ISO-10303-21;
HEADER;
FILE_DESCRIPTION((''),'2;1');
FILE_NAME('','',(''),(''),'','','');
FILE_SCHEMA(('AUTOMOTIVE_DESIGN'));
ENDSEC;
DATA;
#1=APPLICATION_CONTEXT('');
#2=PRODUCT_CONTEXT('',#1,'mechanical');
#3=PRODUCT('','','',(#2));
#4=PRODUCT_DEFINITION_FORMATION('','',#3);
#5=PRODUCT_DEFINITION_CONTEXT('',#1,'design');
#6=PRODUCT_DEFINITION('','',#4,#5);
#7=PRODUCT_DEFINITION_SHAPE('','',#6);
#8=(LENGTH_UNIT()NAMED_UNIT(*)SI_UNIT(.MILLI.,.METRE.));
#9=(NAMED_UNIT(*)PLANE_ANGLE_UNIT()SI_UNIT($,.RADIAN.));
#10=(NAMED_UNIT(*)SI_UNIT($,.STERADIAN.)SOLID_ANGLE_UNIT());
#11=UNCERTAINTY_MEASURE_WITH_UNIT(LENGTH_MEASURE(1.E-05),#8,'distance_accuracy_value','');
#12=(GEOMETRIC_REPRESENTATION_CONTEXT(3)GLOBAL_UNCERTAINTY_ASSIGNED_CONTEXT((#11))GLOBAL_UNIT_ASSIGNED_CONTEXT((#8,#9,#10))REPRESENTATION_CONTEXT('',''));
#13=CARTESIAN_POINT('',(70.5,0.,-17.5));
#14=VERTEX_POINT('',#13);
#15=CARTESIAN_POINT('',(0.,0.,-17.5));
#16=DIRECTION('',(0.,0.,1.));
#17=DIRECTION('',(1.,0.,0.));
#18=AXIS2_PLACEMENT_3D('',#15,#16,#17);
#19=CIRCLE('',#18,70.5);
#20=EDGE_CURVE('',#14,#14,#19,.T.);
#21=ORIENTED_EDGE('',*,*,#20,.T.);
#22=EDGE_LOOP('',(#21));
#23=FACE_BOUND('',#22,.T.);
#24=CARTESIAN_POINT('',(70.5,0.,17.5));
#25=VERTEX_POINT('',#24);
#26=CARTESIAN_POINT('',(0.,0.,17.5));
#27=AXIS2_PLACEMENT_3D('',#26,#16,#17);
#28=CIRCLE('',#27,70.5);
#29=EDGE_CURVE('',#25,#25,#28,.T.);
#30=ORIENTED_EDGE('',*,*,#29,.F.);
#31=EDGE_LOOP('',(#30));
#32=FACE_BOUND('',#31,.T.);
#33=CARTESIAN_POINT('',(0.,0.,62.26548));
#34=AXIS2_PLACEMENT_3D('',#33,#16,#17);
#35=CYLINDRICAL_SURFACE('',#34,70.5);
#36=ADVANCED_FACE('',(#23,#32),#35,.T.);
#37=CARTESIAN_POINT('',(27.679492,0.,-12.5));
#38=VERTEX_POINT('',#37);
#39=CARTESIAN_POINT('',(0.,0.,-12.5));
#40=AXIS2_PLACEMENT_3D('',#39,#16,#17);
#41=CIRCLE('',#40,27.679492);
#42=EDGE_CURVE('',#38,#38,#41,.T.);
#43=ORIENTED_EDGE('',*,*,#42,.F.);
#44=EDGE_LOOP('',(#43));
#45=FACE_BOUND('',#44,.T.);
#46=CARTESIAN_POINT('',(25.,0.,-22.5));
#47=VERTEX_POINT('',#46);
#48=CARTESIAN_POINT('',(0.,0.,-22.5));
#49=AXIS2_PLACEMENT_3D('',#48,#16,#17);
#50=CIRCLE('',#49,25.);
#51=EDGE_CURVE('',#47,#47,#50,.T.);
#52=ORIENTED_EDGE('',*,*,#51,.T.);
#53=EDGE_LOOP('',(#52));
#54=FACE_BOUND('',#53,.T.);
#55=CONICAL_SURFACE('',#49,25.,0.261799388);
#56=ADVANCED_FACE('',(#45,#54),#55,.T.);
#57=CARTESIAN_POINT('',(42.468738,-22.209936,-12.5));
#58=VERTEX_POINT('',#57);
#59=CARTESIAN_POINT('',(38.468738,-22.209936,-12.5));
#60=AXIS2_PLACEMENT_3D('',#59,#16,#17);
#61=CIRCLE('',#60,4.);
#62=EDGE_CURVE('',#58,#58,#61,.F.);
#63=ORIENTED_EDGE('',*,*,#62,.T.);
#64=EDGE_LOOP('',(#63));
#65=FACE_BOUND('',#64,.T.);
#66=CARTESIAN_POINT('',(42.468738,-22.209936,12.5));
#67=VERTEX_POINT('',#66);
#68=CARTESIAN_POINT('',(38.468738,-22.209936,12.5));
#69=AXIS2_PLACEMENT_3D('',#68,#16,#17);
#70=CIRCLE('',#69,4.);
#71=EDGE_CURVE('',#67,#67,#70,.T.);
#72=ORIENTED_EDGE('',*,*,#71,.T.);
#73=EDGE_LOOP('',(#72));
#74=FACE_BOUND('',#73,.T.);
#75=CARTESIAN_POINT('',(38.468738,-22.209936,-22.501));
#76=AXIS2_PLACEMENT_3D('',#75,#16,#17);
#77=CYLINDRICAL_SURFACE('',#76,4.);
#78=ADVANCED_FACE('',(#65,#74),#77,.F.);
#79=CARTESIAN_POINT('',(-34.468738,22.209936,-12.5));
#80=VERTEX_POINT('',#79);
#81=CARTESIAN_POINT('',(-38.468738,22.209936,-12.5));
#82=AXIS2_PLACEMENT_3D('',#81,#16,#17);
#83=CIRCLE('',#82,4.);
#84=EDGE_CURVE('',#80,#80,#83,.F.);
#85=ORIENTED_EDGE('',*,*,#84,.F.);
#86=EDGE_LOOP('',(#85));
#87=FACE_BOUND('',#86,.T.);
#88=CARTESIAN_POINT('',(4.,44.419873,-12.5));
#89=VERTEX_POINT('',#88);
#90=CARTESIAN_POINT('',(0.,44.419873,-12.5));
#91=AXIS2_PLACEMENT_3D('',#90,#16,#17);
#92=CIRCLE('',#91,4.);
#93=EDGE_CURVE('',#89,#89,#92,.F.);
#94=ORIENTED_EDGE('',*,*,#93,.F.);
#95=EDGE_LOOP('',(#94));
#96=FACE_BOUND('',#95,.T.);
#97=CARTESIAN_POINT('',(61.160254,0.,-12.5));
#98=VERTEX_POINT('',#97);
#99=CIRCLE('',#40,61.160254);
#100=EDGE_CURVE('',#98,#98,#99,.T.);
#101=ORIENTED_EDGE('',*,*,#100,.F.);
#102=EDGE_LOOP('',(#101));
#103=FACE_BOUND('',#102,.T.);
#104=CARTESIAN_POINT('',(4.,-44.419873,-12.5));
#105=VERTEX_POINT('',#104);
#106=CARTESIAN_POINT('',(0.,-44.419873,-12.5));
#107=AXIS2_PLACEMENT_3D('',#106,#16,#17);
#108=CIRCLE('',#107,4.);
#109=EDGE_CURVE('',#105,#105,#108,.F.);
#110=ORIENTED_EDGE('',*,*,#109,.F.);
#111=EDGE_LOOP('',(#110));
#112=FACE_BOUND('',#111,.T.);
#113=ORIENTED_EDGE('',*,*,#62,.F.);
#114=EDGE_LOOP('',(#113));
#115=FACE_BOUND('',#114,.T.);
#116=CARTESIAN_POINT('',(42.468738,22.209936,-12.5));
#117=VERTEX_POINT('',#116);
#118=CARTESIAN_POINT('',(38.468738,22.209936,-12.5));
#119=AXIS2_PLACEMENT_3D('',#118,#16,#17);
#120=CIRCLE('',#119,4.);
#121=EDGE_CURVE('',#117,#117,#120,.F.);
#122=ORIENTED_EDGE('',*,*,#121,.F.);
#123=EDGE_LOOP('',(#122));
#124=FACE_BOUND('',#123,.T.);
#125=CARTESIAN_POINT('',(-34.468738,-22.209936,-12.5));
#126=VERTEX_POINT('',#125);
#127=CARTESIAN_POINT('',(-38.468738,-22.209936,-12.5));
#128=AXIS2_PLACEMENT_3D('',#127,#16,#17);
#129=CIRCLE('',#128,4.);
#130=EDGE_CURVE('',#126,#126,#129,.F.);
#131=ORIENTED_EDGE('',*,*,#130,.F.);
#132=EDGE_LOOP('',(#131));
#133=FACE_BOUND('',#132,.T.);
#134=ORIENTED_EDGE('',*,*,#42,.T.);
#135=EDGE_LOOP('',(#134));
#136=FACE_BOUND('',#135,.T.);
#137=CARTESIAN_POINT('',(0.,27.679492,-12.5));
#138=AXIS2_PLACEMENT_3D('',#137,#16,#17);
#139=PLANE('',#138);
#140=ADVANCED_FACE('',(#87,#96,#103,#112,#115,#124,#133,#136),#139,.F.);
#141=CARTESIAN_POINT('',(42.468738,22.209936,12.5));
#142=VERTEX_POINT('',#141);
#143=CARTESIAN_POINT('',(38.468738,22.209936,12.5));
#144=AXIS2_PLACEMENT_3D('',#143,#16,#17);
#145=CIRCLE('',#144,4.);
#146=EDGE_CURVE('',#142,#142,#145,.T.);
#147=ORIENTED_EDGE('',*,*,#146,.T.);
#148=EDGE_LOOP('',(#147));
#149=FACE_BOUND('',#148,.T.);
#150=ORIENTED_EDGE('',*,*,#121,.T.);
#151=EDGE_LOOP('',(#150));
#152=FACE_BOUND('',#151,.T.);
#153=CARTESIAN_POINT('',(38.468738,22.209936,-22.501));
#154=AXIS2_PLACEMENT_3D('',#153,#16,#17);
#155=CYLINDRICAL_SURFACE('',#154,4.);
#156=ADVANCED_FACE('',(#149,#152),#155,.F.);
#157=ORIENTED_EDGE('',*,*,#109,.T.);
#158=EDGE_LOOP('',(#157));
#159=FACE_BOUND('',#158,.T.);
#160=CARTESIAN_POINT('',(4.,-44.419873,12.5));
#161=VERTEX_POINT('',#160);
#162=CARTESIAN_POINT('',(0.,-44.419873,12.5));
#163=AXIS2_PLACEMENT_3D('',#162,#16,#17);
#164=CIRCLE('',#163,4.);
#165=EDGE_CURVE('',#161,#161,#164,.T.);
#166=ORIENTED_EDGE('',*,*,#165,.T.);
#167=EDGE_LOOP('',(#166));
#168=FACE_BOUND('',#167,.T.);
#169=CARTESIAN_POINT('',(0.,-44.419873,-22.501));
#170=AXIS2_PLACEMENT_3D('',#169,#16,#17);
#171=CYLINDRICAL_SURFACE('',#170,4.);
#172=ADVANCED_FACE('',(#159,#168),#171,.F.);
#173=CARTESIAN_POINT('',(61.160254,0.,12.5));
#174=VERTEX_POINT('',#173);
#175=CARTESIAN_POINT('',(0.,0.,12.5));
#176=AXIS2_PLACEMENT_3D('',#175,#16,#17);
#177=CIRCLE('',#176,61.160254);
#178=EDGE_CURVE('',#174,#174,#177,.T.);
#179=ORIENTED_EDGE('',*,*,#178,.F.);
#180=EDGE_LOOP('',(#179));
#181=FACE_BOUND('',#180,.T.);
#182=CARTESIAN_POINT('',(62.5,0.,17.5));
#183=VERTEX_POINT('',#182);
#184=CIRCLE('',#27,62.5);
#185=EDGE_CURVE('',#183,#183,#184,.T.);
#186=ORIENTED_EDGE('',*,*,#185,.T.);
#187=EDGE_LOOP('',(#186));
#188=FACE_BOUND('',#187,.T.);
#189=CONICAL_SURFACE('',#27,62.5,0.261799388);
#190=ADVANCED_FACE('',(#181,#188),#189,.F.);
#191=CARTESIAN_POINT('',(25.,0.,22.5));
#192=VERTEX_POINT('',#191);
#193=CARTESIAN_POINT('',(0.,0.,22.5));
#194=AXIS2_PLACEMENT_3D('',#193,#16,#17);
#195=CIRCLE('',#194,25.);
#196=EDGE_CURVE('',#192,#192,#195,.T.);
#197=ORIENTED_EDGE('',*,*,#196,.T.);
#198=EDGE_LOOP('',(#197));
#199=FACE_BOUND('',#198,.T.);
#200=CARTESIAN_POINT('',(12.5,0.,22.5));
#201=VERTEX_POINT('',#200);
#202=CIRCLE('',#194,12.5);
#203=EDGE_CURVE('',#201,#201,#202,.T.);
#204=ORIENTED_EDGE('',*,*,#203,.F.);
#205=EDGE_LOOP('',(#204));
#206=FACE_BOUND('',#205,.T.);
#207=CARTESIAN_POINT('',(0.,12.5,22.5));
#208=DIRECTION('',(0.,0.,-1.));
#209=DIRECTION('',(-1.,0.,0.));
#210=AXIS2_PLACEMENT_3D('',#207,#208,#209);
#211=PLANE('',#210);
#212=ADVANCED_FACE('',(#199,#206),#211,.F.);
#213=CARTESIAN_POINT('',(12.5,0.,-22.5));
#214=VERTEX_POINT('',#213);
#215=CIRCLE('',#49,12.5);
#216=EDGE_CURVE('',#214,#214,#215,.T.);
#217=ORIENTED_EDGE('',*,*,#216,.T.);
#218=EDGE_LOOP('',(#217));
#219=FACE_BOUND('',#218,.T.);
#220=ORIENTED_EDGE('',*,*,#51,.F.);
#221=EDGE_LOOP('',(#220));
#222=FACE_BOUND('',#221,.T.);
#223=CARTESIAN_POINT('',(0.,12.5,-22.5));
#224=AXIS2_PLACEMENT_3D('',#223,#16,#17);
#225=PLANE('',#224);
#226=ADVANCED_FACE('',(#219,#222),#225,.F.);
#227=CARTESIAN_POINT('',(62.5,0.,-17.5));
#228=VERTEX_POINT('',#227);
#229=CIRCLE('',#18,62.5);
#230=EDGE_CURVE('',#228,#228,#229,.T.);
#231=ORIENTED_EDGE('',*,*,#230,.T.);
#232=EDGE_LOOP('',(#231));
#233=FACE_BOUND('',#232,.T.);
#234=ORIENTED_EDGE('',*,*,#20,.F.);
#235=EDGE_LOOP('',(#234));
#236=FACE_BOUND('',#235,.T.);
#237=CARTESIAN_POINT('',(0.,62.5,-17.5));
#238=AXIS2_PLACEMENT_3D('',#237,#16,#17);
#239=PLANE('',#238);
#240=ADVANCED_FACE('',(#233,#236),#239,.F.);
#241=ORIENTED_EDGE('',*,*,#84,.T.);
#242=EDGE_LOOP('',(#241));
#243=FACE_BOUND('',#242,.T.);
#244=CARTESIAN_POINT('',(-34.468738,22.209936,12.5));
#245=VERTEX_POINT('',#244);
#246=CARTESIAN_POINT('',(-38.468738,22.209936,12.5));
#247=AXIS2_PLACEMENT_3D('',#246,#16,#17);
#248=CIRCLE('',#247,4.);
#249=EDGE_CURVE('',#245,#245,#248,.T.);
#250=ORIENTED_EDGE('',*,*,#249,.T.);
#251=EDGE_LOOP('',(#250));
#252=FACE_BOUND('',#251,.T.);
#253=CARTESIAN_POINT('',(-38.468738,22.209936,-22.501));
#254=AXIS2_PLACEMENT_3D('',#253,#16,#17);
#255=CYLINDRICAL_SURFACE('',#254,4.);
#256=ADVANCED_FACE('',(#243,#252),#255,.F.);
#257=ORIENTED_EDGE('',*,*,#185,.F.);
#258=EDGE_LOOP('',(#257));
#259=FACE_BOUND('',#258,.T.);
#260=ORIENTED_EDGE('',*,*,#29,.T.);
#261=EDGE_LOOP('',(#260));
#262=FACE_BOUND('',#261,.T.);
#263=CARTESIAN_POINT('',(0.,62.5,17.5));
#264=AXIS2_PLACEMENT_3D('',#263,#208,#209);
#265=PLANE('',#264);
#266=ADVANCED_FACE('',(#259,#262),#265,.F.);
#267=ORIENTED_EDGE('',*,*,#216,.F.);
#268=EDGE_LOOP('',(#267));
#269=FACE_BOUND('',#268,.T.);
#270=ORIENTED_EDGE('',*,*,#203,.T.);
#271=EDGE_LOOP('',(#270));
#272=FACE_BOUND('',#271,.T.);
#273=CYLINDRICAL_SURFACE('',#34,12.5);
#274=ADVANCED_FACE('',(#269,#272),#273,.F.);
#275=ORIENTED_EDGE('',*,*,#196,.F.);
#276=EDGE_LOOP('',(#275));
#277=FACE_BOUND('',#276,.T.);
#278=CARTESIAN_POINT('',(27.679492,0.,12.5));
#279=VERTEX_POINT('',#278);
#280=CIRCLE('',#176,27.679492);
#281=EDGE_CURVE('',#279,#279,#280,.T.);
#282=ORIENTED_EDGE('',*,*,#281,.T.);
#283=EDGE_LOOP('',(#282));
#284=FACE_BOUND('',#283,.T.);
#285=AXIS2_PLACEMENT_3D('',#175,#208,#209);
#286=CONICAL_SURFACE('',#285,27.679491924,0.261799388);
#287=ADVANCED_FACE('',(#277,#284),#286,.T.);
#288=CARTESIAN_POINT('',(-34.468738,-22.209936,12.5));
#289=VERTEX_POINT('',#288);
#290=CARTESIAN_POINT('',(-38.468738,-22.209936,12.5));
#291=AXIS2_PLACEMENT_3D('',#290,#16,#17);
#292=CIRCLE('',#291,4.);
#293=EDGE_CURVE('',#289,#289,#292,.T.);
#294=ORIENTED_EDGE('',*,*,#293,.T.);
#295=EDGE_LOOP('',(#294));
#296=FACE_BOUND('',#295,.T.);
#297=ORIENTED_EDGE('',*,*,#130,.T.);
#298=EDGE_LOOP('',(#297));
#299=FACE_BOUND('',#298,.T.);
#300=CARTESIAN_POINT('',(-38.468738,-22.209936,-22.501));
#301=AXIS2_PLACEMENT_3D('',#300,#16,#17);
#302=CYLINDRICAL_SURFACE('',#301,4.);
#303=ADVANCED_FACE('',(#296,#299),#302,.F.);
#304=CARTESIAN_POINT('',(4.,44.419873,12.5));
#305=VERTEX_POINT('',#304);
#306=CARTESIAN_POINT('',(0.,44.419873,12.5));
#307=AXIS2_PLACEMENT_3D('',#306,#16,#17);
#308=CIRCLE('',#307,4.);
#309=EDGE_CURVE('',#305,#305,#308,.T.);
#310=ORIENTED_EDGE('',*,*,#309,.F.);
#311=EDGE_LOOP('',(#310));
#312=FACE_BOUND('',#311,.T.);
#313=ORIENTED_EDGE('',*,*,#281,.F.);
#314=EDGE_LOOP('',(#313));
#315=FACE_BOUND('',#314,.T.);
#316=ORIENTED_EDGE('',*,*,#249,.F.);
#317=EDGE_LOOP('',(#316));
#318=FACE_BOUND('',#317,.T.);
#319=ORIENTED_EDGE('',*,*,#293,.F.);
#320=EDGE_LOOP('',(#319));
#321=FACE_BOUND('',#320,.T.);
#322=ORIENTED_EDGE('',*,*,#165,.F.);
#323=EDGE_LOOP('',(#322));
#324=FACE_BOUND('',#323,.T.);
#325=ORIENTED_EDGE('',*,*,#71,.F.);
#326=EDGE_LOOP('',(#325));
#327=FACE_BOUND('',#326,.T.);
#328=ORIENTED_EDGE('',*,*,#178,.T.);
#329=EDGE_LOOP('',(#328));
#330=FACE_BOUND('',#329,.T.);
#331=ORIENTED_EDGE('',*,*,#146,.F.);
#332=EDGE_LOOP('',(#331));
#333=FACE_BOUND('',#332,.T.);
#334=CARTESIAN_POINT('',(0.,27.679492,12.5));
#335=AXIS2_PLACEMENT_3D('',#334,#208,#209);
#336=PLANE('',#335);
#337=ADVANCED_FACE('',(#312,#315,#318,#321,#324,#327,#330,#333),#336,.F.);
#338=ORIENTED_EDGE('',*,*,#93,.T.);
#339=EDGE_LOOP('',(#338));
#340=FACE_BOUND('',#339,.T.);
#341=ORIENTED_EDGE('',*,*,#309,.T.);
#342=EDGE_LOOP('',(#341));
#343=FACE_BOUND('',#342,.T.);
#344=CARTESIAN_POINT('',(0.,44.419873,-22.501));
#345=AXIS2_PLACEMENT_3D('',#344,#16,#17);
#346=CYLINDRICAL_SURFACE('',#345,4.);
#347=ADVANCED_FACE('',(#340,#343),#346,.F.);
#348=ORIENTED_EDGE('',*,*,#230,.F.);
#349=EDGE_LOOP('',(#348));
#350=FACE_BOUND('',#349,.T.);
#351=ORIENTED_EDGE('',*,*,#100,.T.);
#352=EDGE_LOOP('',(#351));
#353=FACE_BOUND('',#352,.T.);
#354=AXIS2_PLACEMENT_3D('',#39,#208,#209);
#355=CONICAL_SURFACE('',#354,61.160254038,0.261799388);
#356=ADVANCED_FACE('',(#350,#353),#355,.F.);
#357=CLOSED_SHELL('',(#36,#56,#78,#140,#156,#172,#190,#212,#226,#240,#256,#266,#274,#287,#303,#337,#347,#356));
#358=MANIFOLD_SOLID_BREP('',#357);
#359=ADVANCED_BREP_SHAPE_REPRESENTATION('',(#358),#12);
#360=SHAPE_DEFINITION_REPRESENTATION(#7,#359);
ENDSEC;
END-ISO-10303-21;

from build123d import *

# Parameters (mm, degrees)
CUT_EXTRUDE2_REACH = 37
SKETCH9_R          = 4


with BuildPart() as part:
    # Sketch8 → Revolve3 (revolve)
    with BuildSketch(Plane(origin=(0, 0, 0), x_dir=(0, 0, -1), z_dir=(1, 0, 0))):
        Polygon((22.5, 12.5), (-22.5, 12.5), (-22.5, 25), (-12.5, 27.679491924), (-12.5, 61.160254038), (-17.5, 62.5), (-17.5, 70.5), (17.5, 70.5), (17.5, 62.5), (12.5, 61.160254038), (12.5, 27.679491924), (22.5, 25), align=None)
    revolve(axis=Axis((0, 0, 62.265479925), (0, 0, -1)))

    # Sketch9 → Cut-Extrude2 (cut, up to next)
    with BuildSketch(Plane.XY.offset(12.5), mode=Mode.PRIVATE) as cut_extrude2_sk1:
        with Locations((0, 44.419872981)):
            Circle(SKETCH9_R)
    cut_extrude2_tool1 = extrude(cut_extrude2_sk1.sketch, amount=-CUT_EXTRUDE2_REACH, mode=Mode.PRIVATE) & part.part
    add(cut_extrude2_tool1.solids().sort_by_distance((0, 44.419873, 12.5))[0], mode=Mode.SUBTRACT)
    # Sketch9 → Cut-Extrude2 (cut, up to next)
    with BuildSketch(Plane.XY.offset(12.5), mode=Mode.PRIVATE) as cut_extrude2_sk2:
        with Locations((38.468738434, 22.209936491)):
            Circle(SKETCH9_R)
    cut_extrude2_tool2 = extrude(cut_extrude2_sk2.sketch, amount=-CUT_EXTRUDE2_REACH, mode=Mode.PRIVATE) & part.part
    add(cut_extrude2_tool2.solids().sort_by_distance((38.468738, 22.209936, 12.5))[0], mode=Mode.SUBTRACT)
    # Sketch9 → Cut-Extrude2 (cut, up to next)
    with BuildSketch(Plane.XY.offset(12.5), mode=Mode.PRIVATE) as cut_extrude2_sk3:
        with Locations((38.468738434, -22.209936491)):
            Circle(SKETCH9_R)
    cut_extrude2_tool3 = extrude(cut_extrude2_sk3.sketch, amount=-CUT_EXTRUDE2_REACH, mode=Mode.PRIVATE) & part.part
    add(cut_extrude2_tool3.solids().sort_by_distance((38.468738, -22.209936, 12.5))[0], mode=Mode.SUBTRACT)
    # Sketch9 → Cut-Extrude2 (cut, up to next)
    with BuildSketch(Plane.XY.offset(12.5), mode=Mode.PRIVATE) as cut_extrude2_sk4:
        with Locations((0, -44.419872981)):
            Circle(SKETCH9_R)
    cut_extrude2_tool4 = extrude(cut_extrude2_sk4.sketch, amount=-CUT_EXTRUDE2_REACH, mode=Mode.PRIVATE) & part.part
    add(cut_extrude2_tool4.solids().sort_by_distance((0, -44.419873, 12.5))[0], mode=Mode.SUBTRACT)
    # Sketch9 → Cut-Extrude2 (cut, up to next)
    with BuildSketch(Plane.XY.offset(12.5), mode=Mode.PRIVATE) as cut_extrude2_sk5:
        with Locations((-38.468738434, -22.209936491)):
            Circle(SKETCH9_R)
    cut_extrude2_tool5 = extrude(cut_extrude2_sk5.sketch, amount=-CUT_EXTRUDE2_REACH, mode=Mode.PRIVATE) & part.part
    add(cut_extrude2_tool5.solids().sort_by_distance((-38.468738, -22.209936, 12.5))[0], mode=Mode.SUBTRACT)
    # Sketch9 → Cut-Extrude2 (cut, up to next)
    with BuildSketch(Plane.XY.offset(12.5), mode=Mode.PRIVATE) as cut_extrude2_sk6:
        with Locations((-38.468738434, 22.209936491)):
            Circle(SKETCH9_R)
    cut_extrude2_tool6 = extrude(cut_extrude2_sk6.sketch, amount=-CUT_EXTRUDE2_REACH, mode=Mode.PRIVATE) & part.part
    add(cut_extrude2_tool6.solids().sort_by_distance((-38.468738, 22.209936, 12.5))[0], mode=Mode.SUBTRACT)


solid = part.part
